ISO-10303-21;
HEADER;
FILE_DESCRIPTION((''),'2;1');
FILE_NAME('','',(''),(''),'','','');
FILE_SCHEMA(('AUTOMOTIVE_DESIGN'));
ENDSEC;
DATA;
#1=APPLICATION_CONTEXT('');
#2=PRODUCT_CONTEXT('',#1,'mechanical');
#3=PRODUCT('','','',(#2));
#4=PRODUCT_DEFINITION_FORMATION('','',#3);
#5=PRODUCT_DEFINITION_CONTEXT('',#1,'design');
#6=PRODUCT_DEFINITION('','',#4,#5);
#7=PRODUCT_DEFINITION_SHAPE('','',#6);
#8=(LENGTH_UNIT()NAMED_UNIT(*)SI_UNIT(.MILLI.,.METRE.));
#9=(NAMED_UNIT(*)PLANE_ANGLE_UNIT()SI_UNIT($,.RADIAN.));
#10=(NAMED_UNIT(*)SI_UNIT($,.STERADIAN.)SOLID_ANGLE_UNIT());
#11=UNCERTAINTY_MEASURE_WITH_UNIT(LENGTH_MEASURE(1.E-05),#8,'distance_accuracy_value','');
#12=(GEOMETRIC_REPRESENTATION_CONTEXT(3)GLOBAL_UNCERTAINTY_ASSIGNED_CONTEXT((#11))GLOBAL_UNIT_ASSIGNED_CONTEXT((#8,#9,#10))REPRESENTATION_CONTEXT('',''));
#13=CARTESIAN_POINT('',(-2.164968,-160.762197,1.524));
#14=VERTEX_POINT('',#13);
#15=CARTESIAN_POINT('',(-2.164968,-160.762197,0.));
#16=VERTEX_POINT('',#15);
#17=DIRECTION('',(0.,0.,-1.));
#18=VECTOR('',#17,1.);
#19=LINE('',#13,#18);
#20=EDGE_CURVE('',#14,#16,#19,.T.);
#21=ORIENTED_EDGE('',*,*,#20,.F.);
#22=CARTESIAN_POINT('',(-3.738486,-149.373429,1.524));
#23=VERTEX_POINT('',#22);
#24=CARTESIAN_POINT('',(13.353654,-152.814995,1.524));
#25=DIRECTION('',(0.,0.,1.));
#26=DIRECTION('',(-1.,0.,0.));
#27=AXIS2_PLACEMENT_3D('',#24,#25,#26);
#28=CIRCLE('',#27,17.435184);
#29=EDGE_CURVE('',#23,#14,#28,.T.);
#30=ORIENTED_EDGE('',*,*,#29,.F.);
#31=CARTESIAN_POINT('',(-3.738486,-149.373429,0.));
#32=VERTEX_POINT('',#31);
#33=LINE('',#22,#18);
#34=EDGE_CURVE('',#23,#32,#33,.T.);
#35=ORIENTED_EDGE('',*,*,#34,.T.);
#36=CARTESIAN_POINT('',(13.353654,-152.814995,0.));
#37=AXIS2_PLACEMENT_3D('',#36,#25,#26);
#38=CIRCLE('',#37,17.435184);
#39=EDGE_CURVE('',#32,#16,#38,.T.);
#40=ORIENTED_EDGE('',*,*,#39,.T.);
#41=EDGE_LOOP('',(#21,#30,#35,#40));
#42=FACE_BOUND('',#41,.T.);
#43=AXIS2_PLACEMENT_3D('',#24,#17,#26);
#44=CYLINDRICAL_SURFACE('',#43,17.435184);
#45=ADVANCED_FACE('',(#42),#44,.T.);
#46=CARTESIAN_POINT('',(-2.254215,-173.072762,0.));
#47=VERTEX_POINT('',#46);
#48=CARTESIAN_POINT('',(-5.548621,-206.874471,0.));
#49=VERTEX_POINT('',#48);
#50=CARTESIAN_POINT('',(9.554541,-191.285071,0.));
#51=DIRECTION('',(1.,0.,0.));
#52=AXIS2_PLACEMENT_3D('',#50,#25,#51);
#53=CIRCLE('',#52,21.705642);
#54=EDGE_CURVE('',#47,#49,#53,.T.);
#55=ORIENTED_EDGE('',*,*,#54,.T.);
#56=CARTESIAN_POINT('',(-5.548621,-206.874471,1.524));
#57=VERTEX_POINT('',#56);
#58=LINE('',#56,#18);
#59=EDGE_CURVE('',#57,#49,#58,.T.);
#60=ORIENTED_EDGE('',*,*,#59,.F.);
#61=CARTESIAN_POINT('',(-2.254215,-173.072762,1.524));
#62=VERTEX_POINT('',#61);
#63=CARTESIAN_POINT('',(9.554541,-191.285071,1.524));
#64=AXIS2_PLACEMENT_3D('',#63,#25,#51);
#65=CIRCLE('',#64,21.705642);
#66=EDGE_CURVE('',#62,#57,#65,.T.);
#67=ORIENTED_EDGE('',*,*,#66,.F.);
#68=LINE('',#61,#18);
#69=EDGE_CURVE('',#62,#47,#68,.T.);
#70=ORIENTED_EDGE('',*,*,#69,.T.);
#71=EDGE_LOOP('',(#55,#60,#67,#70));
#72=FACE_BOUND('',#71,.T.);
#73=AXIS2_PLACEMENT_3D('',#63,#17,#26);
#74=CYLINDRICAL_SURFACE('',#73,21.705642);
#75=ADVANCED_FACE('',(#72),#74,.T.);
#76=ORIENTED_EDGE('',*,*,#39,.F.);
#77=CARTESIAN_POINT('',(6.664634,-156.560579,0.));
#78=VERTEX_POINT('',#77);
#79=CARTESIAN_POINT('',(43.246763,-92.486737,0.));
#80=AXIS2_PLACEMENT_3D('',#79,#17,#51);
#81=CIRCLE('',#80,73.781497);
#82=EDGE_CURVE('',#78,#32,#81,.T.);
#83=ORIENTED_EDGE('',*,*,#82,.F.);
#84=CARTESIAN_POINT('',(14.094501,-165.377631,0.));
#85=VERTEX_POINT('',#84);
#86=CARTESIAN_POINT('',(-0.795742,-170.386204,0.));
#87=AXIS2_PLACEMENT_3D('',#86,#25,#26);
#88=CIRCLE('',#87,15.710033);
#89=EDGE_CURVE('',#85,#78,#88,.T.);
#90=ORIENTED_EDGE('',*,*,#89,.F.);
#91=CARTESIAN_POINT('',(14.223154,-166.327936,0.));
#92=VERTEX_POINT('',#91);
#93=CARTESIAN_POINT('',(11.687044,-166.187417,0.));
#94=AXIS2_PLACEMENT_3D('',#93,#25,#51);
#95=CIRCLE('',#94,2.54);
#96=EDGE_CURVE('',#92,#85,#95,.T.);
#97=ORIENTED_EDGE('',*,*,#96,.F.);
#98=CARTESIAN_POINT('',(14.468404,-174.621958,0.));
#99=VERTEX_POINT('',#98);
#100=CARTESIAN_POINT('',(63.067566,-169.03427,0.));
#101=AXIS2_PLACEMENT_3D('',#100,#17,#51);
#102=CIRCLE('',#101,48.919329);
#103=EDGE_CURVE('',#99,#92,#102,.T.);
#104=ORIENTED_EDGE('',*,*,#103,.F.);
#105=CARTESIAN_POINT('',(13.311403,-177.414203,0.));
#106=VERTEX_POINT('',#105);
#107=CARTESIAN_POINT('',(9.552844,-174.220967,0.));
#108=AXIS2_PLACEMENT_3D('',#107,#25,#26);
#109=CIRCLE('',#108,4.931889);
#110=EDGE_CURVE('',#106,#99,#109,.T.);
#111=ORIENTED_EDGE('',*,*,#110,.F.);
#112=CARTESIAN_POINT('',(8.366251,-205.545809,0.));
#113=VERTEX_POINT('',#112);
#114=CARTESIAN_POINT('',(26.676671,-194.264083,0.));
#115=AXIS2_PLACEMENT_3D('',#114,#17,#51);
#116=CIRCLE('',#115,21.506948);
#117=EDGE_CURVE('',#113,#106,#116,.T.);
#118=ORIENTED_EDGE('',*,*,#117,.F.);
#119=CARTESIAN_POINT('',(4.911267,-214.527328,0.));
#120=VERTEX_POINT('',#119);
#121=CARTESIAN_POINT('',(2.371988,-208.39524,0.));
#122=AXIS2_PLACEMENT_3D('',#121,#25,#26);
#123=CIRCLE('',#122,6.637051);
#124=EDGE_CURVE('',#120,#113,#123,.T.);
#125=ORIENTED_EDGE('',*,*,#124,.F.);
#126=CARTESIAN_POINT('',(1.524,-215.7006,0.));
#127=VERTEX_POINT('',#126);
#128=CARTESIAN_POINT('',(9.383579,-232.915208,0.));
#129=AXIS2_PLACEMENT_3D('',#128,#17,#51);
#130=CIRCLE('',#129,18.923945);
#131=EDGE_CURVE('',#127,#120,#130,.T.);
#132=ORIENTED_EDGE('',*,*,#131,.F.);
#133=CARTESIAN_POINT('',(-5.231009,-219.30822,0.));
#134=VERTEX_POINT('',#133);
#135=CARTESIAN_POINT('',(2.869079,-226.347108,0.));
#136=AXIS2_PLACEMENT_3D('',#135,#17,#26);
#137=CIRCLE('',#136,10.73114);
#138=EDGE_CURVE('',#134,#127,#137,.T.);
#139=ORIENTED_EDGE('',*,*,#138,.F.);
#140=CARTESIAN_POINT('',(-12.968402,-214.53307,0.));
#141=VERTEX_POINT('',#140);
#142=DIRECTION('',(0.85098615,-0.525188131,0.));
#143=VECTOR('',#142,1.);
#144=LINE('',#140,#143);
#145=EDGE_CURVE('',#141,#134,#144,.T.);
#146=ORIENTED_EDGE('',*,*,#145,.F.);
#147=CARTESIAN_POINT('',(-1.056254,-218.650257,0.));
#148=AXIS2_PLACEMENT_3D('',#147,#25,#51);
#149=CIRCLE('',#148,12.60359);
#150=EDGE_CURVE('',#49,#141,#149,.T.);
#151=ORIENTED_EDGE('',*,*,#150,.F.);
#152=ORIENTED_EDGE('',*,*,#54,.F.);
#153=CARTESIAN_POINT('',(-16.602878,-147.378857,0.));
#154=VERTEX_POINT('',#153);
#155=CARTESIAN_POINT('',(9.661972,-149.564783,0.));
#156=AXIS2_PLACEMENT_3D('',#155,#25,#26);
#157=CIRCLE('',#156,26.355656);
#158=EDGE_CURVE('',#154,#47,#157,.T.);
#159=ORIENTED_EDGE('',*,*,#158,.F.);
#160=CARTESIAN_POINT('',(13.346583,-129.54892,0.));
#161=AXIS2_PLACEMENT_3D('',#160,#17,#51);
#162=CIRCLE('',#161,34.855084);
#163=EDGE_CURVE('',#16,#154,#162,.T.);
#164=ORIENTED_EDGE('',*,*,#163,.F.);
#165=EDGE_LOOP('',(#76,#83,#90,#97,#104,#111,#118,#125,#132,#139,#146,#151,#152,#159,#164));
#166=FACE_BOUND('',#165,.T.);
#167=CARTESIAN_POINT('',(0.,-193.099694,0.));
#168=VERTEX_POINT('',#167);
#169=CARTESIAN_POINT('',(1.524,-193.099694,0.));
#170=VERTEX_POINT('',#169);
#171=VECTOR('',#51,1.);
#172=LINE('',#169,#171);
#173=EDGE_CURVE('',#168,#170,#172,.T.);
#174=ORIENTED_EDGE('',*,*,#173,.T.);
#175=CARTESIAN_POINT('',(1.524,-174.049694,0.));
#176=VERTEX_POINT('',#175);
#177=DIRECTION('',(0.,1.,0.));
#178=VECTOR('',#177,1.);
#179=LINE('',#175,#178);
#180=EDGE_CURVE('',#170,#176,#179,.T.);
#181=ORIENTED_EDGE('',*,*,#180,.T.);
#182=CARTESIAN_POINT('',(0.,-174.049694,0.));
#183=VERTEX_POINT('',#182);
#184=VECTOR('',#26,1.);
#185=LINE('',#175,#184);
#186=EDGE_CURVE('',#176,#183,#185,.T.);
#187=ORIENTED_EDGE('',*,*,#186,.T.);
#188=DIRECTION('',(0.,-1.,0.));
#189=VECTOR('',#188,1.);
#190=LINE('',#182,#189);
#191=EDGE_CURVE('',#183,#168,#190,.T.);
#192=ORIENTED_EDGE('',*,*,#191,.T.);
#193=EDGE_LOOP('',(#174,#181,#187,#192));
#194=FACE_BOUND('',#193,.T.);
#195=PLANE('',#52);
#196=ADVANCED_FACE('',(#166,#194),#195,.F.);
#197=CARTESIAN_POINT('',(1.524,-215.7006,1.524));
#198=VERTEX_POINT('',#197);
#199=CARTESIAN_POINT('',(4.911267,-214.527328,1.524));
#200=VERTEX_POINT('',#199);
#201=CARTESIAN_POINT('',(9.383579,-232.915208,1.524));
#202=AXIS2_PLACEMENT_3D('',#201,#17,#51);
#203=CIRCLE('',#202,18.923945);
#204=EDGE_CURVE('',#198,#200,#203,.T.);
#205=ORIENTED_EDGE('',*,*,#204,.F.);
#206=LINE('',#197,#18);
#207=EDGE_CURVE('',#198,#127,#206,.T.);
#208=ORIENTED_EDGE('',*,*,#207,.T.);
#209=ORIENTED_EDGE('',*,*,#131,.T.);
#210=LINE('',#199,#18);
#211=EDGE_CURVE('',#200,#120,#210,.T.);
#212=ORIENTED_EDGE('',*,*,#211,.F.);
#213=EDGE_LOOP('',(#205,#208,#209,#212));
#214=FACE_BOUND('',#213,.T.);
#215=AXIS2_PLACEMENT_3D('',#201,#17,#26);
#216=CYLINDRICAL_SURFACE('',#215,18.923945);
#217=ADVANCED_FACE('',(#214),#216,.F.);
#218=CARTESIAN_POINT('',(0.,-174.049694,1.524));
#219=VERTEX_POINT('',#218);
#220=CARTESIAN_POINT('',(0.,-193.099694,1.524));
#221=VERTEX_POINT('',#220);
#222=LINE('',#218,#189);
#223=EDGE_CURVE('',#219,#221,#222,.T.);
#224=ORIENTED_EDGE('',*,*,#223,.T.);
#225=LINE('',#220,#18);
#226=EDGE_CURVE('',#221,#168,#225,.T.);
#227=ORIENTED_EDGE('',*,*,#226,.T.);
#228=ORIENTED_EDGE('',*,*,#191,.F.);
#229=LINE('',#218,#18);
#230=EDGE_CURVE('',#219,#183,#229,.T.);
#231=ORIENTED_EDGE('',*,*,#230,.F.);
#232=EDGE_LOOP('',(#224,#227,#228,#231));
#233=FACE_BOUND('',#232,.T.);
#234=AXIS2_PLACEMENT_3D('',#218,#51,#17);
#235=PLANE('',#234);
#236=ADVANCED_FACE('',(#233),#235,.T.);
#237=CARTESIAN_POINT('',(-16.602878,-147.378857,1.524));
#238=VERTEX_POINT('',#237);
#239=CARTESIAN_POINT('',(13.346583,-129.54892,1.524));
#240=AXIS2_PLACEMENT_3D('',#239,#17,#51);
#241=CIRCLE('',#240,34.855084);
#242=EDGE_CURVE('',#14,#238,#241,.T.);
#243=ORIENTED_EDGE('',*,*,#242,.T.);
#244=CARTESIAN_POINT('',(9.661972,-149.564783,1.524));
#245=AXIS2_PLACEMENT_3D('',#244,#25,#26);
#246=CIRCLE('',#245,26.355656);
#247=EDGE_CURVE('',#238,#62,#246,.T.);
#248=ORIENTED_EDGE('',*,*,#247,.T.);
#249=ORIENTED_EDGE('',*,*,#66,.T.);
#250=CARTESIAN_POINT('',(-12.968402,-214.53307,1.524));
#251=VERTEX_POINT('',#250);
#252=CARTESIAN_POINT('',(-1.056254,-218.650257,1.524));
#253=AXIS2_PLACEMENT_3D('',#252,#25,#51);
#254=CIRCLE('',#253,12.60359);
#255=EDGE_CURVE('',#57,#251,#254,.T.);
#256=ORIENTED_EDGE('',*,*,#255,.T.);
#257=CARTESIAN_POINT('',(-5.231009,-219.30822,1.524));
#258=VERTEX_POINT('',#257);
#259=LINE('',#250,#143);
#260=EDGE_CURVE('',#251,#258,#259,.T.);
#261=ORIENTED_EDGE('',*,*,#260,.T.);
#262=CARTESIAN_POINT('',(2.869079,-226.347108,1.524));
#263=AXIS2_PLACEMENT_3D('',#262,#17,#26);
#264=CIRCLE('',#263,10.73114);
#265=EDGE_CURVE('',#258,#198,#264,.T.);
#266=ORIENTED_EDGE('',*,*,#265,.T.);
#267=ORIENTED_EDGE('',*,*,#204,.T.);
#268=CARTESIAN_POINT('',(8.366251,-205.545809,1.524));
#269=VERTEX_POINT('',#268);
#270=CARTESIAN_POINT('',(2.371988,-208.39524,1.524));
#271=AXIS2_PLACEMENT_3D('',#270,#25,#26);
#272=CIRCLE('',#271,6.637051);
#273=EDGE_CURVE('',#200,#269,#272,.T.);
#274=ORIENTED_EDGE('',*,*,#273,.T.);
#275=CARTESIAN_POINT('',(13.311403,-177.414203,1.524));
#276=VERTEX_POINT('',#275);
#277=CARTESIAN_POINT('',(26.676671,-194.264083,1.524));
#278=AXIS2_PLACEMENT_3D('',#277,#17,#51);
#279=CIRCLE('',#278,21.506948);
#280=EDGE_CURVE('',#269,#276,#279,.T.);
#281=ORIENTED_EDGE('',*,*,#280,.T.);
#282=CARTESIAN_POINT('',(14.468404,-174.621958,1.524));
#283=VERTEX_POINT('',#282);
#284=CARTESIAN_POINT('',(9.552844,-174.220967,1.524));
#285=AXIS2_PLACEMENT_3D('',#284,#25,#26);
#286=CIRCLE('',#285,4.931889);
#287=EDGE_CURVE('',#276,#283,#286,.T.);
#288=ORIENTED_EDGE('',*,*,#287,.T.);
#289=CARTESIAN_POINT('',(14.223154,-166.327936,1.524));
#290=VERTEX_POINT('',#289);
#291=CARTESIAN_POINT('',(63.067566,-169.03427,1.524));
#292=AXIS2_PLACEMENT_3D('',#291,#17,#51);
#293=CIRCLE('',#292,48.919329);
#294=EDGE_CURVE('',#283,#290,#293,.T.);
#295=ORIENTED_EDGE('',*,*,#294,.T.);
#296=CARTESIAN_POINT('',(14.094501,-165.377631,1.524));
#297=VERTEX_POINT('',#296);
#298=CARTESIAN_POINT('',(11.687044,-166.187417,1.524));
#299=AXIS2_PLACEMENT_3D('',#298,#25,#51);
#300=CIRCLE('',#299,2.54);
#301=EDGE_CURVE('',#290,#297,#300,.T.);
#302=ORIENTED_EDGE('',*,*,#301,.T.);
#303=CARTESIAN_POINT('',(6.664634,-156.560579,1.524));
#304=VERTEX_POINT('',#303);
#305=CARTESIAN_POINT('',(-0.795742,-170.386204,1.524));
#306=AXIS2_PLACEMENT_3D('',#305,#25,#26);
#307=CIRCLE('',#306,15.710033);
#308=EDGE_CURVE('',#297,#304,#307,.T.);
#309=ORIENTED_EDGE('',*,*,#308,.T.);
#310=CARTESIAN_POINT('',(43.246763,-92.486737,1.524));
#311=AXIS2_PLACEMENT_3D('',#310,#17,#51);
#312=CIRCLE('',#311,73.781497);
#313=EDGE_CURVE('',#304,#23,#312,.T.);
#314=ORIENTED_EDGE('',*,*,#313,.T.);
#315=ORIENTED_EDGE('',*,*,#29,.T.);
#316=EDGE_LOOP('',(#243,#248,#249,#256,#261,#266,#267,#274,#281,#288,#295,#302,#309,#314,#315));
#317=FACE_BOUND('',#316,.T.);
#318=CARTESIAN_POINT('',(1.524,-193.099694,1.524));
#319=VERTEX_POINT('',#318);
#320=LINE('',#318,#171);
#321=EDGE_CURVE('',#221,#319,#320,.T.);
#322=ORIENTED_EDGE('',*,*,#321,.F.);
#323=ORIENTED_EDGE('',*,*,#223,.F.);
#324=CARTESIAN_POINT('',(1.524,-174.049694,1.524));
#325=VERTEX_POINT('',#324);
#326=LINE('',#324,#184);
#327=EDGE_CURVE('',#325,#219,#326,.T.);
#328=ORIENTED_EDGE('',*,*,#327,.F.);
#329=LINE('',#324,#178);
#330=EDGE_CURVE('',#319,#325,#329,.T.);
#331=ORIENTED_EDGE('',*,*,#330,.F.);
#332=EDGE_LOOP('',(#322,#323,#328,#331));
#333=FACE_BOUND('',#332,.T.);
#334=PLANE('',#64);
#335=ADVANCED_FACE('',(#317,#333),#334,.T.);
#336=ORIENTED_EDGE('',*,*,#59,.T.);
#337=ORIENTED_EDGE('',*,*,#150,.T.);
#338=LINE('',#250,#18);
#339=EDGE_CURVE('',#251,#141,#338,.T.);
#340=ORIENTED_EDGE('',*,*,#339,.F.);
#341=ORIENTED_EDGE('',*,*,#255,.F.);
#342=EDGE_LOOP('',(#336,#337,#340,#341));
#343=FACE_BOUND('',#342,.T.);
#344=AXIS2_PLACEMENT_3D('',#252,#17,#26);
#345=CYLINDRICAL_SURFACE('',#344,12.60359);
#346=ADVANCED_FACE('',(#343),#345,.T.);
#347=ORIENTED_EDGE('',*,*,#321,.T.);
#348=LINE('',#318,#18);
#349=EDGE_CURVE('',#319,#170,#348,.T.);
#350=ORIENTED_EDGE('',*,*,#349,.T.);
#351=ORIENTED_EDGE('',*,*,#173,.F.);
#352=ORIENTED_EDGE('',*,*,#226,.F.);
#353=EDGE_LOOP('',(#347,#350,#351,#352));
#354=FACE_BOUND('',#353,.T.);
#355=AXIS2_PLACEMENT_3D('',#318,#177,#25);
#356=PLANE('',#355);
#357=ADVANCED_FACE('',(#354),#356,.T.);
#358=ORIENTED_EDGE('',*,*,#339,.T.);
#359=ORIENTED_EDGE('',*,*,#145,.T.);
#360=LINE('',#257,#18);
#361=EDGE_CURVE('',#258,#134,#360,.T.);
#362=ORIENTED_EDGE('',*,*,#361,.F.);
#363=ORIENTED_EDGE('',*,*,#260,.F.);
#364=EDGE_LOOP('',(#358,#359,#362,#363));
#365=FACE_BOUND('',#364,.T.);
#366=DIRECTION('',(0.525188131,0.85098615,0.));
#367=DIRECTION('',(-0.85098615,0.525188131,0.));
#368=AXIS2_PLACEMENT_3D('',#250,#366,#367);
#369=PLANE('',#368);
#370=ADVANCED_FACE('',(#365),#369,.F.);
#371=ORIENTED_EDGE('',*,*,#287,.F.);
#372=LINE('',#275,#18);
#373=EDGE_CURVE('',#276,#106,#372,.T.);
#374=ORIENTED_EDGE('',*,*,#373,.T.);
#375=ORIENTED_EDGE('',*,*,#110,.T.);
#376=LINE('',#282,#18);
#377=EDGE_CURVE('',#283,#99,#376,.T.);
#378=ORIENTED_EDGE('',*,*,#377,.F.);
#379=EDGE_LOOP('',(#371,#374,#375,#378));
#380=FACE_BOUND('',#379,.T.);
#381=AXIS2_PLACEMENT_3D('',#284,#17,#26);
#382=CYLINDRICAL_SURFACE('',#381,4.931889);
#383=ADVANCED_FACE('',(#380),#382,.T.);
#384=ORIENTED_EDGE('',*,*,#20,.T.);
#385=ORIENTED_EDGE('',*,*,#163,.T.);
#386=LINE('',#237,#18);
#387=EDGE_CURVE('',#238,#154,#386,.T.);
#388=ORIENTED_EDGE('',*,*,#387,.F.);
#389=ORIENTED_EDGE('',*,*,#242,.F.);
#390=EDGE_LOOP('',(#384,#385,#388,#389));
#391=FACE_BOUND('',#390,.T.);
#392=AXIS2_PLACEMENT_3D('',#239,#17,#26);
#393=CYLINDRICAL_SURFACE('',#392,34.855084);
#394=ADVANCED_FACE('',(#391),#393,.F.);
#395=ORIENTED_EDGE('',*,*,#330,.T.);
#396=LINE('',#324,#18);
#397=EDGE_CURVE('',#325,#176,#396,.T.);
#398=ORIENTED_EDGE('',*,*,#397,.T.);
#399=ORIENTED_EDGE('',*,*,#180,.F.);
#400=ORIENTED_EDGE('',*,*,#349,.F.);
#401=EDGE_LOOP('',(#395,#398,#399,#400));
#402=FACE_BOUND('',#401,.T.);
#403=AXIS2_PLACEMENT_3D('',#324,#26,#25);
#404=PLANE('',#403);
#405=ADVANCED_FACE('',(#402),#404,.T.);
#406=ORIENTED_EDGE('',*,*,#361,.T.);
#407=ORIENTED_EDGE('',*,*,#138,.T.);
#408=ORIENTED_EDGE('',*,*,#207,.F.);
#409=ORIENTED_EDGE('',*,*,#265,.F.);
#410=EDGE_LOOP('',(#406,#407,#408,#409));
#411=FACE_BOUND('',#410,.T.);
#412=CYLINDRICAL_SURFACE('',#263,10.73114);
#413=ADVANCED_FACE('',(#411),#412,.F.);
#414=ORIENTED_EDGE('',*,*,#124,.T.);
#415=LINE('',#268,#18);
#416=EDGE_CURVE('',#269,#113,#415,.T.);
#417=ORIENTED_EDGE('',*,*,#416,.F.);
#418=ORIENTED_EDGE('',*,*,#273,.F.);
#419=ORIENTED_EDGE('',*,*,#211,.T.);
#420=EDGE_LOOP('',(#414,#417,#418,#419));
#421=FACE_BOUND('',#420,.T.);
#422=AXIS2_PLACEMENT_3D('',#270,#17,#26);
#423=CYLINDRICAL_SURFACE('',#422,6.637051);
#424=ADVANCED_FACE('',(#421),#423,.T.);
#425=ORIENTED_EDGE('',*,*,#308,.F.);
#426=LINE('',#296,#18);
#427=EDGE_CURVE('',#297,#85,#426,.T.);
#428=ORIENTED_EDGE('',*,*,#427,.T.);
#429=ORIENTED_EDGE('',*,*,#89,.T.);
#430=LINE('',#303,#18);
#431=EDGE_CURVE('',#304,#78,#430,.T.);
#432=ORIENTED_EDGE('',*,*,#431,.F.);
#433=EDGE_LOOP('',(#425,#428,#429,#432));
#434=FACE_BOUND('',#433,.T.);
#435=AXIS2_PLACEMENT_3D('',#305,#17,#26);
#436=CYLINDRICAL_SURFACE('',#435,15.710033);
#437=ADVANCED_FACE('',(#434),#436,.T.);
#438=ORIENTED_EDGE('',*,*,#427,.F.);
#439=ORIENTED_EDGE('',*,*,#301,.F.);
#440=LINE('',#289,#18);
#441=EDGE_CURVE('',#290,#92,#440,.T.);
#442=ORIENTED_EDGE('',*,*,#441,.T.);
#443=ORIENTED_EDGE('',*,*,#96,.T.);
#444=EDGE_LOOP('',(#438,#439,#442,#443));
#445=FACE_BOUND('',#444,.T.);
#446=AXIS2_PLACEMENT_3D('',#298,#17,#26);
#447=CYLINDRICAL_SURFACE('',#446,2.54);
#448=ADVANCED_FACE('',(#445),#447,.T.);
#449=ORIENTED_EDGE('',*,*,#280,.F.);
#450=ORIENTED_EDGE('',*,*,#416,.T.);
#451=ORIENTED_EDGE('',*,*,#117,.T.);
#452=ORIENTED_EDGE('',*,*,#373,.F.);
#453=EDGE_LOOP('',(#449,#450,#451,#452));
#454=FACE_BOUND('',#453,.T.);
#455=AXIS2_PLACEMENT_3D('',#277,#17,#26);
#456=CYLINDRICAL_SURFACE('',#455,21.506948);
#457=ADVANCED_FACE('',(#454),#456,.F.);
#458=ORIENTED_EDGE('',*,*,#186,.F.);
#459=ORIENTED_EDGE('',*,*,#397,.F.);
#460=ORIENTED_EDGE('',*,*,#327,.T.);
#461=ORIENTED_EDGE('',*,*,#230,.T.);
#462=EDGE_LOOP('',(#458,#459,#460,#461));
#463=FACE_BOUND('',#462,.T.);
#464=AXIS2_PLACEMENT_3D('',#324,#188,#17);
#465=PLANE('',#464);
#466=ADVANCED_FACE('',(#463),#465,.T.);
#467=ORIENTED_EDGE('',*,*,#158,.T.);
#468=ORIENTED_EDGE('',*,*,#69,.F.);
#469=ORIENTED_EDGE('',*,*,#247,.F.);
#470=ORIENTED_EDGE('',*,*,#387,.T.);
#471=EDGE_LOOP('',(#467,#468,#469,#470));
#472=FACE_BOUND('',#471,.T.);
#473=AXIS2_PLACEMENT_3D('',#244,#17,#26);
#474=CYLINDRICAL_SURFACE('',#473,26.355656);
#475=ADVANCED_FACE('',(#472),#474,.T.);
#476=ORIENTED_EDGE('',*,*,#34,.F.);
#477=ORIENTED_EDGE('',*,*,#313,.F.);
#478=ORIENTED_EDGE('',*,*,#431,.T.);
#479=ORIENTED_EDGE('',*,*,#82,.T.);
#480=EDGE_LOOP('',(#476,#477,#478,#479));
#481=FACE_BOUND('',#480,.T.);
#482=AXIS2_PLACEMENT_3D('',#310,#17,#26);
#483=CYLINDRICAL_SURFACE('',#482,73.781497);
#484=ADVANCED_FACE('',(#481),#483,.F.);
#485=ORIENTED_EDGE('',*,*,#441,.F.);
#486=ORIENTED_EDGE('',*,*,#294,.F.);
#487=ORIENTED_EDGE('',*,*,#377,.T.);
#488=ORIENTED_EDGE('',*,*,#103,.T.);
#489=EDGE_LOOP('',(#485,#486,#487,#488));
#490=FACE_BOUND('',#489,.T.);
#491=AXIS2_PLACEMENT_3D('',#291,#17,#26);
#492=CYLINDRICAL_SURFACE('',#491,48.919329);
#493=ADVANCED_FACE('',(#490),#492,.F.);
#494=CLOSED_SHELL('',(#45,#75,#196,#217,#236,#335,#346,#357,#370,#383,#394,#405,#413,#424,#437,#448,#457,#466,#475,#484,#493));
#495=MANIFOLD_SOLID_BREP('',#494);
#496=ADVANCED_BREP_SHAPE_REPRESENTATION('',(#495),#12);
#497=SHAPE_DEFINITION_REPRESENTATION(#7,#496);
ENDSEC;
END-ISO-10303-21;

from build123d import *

# Parameters (mm, degrees)
SKETCH1_W           = 1.524
SKETCH1_H           = 19.05
BOSS_EXTRUDE1_DEPTH = 1.524


with BuildPart() as part:
    # Sketch1 → Boss-Extrude1 (new body)
    with BuildSketch(Plane.XY):
        with BuildLine():
            Line((-12.968401667, -214.533069625), (-5.231008599, -219.308220204))
            ThreePointArc((-5.231008599, -219.308220204), (-2.186267033, -216.881335926), (1.524, -215.700600116))
            ThreePointArc((1.524, -215.700600116), (3.189789502, -215.033578347), (4.911266579, -214.527328034))
            ThreePointArc((4.911266579, -214.527328034), (8.56652215, -210.778134694), (8.366250568, -205.545808702))
            ThreePointArc((8.366250568, -205.545808702), (5.494506116, -190.54054727), (13.311403321, -177.414203341))
            ThreePointArc((13.311403321, -177.414203341), (14.109075531, -176.108897248), (14.468404268, -174.621958174))
            ThreePointArc((14.468404268, -174.621958174), (14.169609027, -170.48015642), (14.223154403, -166.327936138))
            ThreePointArc((14.223154403, -166.327936138), (14.204082667, -165.84665661), (14.094500503, -165.377630529))
            ThreePointArc((14.094500503, -165.377630529), (11.21769373, -160.262840376), (6.664633993, -156.56057856))
            ThreePointArc((6.664633993, -156.56057856), (1.308827331, -153.190269752), (-3.738486028, -149.373428868))
            ThreePointArc((-3.738486028, -149.373428868), (-3.917462061, -155.201242728), (-2.164967532, -160.762196757))
            ThreePointArc((-2.164967532, -160.762196757), (-10.348444798, -155.111050325), (-16.602878059, -147.37885654))
            ThreePointArc((-16.602878059, -147.37885654), (-13.34872328, -162.415016966), (-2.254215141, -173.07276217))
            ThreePointArc((-2.254215141, -173.07276217), (-12.048739338, -189.17955679), (-5.548621032, -206.874471292))
            ThreePointArc((-5.548621032, -206.874471292), (-10.108356413, -209.880426072), (-12.968401667, -214.533069625))
        make_face()
        with Locations((0.762, -183.574694423)):
            Rectangle(SKETCH1_W, SKETCH1_H, mode=Mode.SUBTRACT)
    extrude(amount=BOSS_EXTRUDE1_DEPTH)


solid = part.part
